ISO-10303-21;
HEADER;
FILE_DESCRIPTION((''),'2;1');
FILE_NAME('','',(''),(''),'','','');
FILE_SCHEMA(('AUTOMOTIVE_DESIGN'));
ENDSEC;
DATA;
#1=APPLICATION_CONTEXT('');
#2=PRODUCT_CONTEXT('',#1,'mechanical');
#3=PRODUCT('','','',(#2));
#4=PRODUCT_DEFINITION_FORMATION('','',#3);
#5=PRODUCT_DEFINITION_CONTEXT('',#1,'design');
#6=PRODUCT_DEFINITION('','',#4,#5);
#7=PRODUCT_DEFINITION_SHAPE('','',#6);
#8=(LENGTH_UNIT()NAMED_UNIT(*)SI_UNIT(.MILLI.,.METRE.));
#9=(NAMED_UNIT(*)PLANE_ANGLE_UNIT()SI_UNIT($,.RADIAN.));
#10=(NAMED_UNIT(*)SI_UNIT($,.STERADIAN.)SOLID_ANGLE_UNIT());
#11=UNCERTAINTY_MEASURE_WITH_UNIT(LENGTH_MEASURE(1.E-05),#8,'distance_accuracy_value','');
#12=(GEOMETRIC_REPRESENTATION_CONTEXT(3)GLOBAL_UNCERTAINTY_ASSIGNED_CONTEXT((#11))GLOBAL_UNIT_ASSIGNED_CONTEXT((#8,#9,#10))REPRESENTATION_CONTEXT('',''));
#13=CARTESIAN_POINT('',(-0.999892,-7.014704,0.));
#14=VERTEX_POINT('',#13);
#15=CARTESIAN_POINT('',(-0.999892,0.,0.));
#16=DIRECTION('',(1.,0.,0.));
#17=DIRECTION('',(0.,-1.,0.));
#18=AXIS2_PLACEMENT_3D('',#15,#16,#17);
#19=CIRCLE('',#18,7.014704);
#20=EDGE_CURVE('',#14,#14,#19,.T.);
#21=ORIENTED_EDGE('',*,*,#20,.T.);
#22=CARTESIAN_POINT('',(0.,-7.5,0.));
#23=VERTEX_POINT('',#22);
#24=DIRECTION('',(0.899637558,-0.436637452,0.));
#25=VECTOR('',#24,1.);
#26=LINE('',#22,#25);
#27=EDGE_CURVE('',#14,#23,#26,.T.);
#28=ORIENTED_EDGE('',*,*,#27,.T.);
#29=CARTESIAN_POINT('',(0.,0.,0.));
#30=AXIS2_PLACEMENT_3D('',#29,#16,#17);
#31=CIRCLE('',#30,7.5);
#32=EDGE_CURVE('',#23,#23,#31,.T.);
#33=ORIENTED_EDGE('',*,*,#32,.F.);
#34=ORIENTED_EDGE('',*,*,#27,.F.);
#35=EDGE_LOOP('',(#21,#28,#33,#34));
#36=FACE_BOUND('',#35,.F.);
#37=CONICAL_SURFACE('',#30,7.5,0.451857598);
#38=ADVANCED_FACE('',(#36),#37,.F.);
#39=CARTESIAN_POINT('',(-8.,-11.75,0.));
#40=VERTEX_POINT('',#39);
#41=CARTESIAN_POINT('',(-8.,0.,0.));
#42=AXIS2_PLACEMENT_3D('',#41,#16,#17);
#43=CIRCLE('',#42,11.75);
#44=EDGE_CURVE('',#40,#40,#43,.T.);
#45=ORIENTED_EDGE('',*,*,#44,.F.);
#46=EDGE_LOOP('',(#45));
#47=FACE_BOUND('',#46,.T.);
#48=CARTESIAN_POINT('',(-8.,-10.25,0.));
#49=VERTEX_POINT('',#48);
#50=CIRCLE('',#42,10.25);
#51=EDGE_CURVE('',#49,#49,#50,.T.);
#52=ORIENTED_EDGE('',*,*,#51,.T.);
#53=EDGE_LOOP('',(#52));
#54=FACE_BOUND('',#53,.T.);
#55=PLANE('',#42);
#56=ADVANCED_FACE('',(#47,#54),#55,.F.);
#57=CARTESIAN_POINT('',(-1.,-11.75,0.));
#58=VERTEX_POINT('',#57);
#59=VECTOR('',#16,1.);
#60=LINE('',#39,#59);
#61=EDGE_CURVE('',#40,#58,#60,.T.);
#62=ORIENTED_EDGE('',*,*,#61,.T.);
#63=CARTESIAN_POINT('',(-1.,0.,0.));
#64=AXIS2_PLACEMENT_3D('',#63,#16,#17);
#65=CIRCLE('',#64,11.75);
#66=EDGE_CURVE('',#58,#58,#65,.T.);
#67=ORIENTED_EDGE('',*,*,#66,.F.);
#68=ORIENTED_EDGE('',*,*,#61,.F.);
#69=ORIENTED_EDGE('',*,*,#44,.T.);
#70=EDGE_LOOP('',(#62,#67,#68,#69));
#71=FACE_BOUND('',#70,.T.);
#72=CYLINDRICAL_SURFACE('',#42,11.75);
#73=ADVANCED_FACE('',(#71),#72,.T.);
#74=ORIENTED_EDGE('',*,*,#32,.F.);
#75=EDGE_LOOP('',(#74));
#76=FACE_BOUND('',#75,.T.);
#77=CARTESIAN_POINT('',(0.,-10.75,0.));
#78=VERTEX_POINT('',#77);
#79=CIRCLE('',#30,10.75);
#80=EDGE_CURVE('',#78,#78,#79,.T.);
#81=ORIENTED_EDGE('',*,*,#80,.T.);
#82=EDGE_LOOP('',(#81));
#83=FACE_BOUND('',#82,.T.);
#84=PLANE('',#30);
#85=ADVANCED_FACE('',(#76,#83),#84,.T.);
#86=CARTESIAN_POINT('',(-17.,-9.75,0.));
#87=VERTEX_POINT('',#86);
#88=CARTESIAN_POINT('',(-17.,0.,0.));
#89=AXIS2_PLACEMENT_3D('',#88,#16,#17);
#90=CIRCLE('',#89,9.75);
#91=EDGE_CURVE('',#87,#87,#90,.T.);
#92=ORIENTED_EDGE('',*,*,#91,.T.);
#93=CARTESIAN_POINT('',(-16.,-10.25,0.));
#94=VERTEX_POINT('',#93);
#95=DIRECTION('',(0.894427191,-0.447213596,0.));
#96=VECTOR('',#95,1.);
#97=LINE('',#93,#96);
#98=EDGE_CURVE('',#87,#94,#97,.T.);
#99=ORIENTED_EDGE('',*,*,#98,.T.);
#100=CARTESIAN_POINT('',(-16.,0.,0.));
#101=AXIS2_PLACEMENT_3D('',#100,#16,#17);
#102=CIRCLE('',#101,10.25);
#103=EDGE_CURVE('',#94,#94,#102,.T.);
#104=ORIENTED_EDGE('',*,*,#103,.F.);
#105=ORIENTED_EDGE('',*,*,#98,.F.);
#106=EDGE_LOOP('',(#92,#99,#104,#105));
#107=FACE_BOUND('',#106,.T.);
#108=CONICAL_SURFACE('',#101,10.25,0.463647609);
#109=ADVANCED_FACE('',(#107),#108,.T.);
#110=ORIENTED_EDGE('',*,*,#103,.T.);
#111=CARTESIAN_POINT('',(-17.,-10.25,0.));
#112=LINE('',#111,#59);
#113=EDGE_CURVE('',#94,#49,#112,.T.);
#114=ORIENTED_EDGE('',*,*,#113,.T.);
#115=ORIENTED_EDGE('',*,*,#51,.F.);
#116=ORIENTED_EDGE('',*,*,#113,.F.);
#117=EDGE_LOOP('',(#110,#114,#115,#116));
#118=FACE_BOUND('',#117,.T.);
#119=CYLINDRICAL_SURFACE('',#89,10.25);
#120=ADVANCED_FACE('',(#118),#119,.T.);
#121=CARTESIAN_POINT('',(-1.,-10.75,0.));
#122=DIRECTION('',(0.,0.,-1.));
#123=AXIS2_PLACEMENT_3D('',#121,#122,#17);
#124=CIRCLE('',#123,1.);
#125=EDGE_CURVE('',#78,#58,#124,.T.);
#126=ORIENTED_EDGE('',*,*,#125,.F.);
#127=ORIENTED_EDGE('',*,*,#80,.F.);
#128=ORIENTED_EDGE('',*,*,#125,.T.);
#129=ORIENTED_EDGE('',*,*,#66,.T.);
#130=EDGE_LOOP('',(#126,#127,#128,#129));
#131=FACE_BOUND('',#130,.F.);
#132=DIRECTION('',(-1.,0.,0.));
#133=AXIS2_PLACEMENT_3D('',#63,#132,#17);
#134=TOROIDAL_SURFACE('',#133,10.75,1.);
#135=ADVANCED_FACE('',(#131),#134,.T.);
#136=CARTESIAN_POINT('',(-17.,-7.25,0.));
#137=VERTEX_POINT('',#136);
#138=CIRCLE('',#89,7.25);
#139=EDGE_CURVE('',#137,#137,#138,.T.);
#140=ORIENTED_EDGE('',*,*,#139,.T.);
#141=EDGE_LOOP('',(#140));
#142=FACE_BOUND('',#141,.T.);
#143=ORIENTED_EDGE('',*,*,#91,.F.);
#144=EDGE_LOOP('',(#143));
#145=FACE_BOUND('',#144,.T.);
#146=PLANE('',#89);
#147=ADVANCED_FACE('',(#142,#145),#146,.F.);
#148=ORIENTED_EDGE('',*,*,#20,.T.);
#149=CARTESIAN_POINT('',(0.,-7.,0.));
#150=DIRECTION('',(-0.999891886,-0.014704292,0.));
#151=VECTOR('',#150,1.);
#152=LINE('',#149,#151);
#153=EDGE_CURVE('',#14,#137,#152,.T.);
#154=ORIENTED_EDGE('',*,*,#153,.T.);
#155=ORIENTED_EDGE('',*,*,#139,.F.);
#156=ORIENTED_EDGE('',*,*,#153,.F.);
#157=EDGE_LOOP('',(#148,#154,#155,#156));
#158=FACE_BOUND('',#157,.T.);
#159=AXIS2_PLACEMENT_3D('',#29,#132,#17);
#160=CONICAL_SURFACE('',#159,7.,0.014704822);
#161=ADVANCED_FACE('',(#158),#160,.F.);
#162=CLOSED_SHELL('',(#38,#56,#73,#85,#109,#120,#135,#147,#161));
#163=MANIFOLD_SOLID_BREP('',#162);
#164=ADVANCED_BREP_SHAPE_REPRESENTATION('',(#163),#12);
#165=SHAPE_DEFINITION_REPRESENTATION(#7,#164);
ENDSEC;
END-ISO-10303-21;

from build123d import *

# Parameters (mm, degrees)
F2_SIZE2 = 1
F2_SIZE  = 0.5
F3_SIZE2 = 0.5
F3_SIZE  = 1
F4_R     = 1


with BuildPart() as f1:
    # F0 (on Top) → F1 (revolve)
    with BuildSketch(Plane.XY):
        Polygon((0, -7), (-17, -7.25), (-17, -10.25), (-8, -10.25), (-8, -11.75), (0, -11.75), align=None)
    revolve(axis=Axis((-8.5, 0, 0), (1, 0, 0)))

    # F2
    f2_edges = [f1.edges().sort_by_distance(p)[0] for p in [
        (-17, 10.25, 0),
    ]]
    chamfer(f2_edges, length=F2_SIZE, length2=F2_SIZE2)

    # F3
    f3_edges = [f1.edges().sort_by_distance(p)[0] for p in [
        (0, 7, 0),
    ]]
    chamfer(f3_edges, length=F3_SIZE, length2=F3_SIZE2)

    # F4
    f4_edges = [f1.edges().sort_by_distance(p)[0] for p in [
        (0, 11.75, 0),
    ]]
    fillet(f4_edges, radius=F4_R)


solid = f1.part
